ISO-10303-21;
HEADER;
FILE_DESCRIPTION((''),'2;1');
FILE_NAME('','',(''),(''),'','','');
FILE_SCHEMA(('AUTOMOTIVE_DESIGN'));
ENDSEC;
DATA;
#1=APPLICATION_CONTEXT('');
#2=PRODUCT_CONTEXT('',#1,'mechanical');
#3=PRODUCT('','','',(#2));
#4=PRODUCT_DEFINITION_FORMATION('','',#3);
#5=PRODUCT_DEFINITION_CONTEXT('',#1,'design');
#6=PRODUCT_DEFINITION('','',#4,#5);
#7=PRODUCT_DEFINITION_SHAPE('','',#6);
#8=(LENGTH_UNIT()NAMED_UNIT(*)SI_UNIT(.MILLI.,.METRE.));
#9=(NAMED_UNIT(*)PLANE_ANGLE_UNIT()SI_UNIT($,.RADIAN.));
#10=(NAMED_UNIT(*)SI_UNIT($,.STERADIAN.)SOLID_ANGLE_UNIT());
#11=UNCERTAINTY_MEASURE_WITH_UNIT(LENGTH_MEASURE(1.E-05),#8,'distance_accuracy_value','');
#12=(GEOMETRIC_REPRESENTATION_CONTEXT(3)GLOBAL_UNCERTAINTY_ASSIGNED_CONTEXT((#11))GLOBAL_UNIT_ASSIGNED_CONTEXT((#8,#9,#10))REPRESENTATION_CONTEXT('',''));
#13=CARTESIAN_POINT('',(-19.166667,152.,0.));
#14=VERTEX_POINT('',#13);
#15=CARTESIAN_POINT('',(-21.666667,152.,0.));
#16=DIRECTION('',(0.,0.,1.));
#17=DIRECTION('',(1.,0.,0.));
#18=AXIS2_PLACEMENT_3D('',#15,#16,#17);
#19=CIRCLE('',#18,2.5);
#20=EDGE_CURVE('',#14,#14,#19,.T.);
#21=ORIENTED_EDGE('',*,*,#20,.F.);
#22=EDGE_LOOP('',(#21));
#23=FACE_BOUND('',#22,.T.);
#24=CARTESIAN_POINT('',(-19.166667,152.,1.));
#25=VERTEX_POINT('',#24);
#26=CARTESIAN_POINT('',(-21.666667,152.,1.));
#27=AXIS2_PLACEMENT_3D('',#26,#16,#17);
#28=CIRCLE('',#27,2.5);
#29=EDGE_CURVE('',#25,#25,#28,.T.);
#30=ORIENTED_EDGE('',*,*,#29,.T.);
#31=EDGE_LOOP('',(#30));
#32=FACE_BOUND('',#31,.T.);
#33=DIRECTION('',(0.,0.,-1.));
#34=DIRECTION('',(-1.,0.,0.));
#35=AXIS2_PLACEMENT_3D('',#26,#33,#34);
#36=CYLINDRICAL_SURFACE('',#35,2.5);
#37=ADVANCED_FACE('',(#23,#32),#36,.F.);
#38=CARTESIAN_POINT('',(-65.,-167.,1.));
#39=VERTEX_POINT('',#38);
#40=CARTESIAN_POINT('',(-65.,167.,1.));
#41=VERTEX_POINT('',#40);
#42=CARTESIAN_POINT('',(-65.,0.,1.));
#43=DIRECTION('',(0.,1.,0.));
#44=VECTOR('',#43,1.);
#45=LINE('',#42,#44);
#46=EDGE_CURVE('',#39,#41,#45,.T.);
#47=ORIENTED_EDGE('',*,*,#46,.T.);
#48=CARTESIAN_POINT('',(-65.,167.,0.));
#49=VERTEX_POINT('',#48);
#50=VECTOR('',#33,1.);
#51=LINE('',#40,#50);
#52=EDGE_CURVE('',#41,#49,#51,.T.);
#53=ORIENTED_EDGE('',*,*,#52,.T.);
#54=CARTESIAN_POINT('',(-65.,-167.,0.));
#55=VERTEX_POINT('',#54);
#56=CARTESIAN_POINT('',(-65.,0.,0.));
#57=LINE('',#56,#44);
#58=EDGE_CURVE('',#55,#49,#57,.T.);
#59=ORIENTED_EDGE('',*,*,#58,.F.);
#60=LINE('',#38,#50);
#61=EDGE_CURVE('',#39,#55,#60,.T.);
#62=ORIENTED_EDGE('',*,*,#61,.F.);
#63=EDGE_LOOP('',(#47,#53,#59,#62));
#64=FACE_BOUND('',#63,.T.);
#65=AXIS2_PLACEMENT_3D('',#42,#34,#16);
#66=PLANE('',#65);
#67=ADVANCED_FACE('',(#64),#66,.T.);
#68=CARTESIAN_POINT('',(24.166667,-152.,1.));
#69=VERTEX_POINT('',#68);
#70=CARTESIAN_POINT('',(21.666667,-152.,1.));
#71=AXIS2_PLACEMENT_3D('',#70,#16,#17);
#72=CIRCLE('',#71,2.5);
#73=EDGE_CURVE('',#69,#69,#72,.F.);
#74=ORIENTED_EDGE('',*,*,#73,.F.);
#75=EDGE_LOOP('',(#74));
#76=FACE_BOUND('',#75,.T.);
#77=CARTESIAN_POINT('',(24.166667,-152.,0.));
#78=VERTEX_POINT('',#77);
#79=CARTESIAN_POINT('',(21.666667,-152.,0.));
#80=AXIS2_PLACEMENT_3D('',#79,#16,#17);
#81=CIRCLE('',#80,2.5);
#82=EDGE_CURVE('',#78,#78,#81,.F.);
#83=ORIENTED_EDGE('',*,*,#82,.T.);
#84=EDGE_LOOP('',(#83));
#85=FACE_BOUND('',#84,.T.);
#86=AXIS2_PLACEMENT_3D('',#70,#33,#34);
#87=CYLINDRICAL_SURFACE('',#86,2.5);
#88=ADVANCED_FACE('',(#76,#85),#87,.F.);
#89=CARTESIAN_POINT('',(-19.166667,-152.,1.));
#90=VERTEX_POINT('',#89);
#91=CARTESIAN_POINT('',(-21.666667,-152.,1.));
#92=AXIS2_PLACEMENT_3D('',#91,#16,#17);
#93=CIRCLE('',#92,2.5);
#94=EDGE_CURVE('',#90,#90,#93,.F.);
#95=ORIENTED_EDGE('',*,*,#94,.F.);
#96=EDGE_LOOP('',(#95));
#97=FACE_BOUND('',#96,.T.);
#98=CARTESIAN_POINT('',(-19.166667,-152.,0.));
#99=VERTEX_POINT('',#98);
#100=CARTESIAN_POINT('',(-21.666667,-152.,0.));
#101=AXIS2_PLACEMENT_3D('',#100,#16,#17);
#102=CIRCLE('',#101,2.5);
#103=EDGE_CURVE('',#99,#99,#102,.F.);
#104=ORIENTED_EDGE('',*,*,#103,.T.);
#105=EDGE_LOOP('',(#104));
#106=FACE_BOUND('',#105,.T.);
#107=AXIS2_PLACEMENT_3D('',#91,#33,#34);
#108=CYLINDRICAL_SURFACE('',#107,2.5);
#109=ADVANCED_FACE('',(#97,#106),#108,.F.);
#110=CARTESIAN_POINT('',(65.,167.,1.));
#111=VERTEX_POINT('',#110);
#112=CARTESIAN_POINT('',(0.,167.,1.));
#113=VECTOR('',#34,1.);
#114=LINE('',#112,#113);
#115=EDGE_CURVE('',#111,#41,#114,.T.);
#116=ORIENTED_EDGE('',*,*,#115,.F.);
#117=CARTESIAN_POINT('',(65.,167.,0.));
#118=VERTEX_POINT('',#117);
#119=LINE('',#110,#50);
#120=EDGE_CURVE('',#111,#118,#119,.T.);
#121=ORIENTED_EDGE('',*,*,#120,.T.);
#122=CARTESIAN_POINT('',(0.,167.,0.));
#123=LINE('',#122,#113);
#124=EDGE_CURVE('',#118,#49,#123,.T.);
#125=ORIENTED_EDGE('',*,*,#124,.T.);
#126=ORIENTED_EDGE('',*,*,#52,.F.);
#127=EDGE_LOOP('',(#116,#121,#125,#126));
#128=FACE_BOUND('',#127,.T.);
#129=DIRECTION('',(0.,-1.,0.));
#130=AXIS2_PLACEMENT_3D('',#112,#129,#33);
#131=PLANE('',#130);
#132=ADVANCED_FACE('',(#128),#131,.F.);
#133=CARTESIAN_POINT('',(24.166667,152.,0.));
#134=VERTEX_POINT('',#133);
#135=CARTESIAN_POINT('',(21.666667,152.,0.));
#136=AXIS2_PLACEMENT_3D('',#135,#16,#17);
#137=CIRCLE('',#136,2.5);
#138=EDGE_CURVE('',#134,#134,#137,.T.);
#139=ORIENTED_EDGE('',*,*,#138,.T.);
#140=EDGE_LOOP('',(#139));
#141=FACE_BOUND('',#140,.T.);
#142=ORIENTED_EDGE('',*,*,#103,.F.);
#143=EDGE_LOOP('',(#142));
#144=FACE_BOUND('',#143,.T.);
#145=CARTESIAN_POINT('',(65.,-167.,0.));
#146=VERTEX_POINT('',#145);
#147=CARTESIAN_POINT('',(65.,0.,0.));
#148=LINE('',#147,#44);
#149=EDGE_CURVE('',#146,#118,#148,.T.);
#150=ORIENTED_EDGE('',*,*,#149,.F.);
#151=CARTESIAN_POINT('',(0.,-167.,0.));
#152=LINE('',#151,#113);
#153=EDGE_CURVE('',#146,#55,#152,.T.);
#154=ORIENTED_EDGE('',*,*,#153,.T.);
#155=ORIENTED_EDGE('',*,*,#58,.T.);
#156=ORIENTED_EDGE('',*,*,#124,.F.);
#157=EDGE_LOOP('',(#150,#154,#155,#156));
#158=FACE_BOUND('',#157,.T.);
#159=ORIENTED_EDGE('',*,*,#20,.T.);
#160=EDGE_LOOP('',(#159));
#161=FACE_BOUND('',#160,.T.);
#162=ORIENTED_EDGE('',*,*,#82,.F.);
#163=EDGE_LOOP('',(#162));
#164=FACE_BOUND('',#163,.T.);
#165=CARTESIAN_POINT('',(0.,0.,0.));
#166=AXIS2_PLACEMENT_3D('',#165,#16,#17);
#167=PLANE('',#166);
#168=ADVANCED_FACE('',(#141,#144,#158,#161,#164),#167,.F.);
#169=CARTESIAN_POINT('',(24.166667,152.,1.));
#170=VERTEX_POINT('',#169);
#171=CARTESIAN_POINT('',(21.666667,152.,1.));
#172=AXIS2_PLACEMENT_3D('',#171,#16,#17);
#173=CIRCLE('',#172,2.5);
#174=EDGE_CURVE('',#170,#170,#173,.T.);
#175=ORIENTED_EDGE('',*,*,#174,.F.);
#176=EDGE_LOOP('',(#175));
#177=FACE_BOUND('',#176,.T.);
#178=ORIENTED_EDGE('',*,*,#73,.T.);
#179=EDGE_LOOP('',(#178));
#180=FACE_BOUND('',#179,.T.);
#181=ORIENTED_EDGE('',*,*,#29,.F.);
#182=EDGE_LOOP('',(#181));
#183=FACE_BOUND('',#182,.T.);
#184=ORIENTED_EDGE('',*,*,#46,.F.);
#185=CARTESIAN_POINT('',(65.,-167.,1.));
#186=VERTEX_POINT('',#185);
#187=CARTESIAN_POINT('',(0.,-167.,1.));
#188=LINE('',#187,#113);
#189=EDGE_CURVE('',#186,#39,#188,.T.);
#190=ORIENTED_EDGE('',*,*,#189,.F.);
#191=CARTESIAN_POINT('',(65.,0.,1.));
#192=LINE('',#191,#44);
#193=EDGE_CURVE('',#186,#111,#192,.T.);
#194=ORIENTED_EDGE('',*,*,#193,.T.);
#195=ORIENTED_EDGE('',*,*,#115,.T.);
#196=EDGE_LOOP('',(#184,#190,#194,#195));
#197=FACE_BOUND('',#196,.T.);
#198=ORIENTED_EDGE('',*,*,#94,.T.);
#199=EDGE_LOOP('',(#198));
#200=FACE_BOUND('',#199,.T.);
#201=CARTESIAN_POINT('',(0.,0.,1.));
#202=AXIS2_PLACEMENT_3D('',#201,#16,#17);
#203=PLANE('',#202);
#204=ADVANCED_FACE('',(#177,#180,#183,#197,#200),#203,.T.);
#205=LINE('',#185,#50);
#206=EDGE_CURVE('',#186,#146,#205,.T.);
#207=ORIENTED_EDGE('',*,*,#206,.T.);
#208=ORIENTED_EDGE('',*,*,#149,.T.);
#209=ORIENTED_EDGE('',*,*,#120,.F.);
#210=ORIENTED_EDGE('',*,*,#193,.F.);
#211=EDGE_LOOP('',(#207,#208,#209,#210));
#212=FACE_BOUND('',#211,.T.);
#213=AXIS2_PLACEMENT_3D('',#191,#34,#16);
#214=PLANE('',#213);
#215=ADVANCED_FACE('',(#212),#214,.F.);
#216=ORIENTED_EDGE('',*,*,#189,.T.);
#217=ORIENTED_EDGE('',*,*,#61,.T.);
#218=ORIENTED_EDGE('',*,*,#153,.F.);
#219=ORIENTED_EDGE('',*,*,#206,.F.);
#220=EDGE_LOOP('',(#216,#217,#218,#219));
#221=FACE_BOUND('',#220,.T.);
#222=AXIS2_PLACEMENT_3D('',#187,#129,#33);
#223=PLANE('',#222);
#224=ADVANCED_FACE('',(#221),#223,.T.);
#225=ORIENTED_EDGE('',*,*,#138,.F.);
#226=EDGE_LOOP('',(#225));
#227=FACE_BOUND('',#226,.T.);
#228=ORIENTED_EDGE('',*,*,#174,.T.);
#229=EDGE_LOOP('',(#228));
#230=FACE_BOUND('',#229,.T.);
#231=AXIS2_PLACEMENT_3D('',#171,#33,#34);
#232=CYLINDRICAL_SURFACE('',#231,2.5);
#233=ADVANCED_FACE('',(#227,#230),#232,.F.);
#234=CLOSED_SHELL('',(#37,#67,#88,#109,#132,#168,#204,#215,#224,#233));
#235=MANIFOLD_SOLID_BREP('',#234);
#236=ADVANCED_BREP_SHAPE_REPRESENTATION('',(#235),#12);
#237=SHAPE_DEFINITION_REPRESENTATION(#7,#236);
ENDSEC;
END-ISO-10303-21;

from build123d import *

# Parameters (mm, degrees)
CROQUIS1_R              = 2.5
SALIENTE_EXTRUIR1_DEPTH = 1


with BuildPart() as part:
    # Croquis1 → Saliente-Extruir1 (new body)
    with BuildSketch(Plane.XY):
        Polygon((65, 167), (-65, 167), (-65, 152), (-65, -167), (65, -167), align=None)
        with Locations((-21.666666667, -152)):
            Circle(CROQUIS1_R, mode=Mode.SUBTRACT)
        with Locations((21.666666667, -152)):
            Circle(CROQUIS1_R, mode=Mode.SUBTRACT)
        with Locations((-21.666666667, 152)):
            Circle(CROQUIS1_R, mode=Mode.SUBTRACT)
        with Locations((21.666666667, 152)):
            Circle(CROQUIS1_R, mode=Mode.SUBTRACT)
    extrude(amount=SALIENTE_EXTRUIR1_DEPTH)


solid = part.part
